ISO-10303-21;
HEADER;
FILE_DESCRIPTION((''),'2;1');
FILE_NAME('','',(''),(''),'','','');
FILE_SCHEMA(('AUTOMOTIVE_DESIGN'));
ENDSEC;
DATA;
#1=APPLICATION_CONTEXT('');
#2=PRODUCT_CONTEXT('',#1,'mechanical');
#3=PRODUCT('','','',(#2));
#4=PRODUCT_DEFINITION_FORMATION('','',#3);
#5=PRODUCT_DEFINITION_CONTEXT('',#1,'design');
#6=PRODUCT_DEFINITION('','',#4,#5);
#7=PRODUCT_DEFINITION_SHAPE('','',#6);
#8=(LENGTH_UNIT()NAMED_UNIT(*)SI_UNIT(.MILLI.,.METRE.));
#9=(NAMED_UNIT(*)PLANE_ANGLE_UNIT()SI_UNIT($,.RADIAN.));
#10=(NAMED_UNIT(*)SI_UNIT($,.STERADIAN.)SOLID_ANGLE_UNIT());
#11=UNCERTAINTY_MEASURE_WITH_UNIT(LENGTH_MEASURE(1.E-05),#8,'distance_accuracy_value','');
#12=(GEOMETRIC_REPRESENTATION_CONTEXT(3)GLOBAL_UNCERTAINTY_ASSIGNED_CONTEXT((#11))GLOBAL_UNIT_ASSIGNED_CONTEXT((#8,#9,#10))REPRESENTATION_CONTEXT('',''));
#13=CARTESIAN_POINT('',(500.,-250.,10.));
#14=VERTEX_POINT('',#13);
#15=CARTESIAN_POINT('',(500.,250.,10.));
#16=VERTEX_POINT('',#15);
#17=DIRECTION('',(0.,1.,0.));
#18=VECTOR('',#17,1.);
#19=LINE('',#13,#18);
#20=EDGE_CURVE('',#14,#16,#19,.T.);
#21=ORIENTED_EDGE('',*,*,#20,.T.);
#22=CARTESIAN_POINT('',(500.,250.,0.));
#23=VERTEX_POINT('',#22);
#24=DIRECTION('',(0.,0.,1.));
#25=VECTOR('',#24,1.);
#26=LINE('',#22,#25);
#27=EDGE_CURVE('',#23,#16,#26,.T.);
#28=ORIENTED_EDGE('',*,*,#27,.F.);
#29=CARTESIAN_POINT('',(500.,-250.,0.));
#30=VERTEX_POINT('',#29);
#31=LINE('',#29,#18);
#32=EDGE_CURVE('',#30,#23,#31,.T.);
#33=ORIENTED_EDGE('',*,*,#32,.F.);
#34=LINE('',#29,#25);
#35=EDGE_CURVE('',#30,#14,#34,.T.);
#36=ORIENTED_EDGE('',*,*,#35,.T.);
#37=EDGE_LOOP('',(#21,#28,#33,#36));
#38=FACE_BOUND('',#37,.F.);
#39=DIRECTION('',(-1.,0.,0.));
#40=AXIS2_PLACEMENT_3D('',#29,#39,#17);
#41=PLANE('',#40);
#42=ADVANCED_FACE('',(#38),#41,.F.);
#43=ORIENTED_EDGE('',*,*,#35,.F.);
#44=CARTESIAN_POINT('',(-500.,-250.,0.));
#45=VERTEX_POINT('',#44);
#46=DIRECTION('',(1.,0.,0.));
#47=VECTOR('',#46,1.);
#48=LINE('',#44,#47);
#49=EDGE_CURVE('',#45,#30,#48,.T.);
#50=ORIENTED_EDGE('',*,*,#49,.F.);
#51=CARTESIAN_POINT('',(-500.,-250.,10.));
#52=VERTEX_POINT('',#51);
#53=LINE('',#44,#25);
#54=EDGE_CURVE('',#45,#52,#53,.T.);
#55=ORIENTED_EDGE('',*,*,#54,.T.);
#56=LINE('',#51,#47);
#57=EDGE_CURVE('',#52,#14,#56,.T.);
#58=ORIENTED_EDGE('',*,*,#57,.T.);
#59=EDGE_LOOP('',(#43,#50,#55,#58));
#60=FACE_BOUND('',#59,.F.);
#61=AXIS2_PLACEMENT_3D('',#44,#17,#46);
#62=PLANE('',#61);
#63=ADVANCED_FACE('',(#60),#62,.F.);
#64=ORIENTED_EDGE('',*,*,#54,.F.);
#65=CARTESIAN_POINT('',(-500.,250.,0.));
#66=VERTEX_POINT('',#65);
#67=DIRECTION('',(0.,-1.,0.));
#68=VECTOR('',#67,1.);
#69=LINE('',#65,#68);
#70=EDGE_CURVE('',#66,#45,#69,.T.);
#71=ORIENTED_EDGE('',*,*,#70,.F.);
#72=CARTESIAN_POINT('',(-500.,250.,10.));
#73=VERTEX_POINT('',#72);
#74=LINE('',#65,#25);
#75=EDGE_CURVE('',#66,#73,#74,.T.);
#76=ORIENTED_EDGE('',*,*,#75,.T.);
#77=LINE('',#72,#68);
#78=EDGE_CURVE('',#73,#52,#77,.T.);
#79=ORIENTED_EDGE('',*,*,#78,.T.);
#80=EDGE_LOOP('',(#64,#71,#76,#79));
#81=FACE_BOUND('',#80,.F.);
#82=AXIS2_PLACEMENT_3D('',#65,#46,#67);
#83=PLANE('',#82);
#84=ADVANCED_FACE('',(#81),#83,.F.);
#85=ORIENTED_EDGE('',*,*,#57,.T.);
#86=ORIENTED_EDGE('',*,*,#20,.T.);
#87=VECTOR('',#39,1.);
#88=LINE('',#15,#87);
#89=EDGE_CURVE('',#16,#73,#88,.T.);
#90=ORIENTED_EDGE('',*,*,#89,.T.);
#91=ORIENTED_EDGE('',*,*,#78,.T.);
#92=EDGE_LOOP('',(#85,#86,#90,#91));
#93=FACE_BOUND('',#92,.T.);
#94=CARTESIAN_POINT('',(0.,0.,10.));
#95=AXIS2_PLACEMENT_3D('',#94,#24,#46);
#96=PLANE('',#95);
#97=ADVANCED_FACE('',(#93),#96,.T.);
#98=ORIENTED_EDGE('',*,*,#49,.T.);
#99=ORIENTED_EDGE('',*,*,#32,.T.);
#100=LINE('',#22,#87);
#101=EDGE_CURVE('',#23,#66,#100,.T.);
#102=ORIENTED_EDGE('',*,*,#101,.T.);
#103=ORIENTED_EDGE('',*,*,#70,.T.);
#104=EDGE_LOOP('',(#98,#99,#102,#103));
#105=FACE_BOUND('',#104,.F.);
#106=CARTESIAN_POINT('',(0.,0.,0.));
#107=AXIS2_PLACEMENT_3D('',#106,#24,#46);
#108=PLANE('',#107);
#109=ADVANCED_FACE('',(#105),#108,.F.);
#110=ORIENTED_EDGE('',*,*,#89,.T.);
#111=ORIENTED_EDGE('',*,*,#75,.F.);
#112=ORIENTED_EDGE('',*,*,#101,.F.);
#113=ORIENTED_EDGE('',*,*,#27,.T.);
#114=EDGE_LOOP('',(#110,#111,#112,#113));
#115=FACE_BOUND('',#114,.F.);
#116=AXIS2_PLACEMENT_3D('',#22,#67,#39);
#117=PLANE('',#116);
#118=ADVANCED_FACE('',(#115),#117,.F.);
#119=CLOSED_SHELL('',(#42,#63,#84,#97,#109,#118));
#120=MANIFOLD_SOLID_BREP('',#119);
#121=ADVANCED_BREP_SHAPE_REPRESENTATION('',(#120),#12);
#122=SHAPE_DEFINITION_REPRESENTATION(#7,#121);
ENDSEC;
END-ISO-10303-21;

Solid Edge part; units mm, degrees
sketch "Sketch1" plane through (0, 0, 0) normal (0, 0, 1) x (1, 0, 0)
  line L0 (500, 250) -> (-500, 250)
  line L1 (-500, 250) -> (-500, -250)
  line L2 (-500, -250) -> (500, -250)
  line L3 (500, -250) -> (500, 250)
extrude "Protrusion1" add sketch "Sketch1" along normal blind 10
